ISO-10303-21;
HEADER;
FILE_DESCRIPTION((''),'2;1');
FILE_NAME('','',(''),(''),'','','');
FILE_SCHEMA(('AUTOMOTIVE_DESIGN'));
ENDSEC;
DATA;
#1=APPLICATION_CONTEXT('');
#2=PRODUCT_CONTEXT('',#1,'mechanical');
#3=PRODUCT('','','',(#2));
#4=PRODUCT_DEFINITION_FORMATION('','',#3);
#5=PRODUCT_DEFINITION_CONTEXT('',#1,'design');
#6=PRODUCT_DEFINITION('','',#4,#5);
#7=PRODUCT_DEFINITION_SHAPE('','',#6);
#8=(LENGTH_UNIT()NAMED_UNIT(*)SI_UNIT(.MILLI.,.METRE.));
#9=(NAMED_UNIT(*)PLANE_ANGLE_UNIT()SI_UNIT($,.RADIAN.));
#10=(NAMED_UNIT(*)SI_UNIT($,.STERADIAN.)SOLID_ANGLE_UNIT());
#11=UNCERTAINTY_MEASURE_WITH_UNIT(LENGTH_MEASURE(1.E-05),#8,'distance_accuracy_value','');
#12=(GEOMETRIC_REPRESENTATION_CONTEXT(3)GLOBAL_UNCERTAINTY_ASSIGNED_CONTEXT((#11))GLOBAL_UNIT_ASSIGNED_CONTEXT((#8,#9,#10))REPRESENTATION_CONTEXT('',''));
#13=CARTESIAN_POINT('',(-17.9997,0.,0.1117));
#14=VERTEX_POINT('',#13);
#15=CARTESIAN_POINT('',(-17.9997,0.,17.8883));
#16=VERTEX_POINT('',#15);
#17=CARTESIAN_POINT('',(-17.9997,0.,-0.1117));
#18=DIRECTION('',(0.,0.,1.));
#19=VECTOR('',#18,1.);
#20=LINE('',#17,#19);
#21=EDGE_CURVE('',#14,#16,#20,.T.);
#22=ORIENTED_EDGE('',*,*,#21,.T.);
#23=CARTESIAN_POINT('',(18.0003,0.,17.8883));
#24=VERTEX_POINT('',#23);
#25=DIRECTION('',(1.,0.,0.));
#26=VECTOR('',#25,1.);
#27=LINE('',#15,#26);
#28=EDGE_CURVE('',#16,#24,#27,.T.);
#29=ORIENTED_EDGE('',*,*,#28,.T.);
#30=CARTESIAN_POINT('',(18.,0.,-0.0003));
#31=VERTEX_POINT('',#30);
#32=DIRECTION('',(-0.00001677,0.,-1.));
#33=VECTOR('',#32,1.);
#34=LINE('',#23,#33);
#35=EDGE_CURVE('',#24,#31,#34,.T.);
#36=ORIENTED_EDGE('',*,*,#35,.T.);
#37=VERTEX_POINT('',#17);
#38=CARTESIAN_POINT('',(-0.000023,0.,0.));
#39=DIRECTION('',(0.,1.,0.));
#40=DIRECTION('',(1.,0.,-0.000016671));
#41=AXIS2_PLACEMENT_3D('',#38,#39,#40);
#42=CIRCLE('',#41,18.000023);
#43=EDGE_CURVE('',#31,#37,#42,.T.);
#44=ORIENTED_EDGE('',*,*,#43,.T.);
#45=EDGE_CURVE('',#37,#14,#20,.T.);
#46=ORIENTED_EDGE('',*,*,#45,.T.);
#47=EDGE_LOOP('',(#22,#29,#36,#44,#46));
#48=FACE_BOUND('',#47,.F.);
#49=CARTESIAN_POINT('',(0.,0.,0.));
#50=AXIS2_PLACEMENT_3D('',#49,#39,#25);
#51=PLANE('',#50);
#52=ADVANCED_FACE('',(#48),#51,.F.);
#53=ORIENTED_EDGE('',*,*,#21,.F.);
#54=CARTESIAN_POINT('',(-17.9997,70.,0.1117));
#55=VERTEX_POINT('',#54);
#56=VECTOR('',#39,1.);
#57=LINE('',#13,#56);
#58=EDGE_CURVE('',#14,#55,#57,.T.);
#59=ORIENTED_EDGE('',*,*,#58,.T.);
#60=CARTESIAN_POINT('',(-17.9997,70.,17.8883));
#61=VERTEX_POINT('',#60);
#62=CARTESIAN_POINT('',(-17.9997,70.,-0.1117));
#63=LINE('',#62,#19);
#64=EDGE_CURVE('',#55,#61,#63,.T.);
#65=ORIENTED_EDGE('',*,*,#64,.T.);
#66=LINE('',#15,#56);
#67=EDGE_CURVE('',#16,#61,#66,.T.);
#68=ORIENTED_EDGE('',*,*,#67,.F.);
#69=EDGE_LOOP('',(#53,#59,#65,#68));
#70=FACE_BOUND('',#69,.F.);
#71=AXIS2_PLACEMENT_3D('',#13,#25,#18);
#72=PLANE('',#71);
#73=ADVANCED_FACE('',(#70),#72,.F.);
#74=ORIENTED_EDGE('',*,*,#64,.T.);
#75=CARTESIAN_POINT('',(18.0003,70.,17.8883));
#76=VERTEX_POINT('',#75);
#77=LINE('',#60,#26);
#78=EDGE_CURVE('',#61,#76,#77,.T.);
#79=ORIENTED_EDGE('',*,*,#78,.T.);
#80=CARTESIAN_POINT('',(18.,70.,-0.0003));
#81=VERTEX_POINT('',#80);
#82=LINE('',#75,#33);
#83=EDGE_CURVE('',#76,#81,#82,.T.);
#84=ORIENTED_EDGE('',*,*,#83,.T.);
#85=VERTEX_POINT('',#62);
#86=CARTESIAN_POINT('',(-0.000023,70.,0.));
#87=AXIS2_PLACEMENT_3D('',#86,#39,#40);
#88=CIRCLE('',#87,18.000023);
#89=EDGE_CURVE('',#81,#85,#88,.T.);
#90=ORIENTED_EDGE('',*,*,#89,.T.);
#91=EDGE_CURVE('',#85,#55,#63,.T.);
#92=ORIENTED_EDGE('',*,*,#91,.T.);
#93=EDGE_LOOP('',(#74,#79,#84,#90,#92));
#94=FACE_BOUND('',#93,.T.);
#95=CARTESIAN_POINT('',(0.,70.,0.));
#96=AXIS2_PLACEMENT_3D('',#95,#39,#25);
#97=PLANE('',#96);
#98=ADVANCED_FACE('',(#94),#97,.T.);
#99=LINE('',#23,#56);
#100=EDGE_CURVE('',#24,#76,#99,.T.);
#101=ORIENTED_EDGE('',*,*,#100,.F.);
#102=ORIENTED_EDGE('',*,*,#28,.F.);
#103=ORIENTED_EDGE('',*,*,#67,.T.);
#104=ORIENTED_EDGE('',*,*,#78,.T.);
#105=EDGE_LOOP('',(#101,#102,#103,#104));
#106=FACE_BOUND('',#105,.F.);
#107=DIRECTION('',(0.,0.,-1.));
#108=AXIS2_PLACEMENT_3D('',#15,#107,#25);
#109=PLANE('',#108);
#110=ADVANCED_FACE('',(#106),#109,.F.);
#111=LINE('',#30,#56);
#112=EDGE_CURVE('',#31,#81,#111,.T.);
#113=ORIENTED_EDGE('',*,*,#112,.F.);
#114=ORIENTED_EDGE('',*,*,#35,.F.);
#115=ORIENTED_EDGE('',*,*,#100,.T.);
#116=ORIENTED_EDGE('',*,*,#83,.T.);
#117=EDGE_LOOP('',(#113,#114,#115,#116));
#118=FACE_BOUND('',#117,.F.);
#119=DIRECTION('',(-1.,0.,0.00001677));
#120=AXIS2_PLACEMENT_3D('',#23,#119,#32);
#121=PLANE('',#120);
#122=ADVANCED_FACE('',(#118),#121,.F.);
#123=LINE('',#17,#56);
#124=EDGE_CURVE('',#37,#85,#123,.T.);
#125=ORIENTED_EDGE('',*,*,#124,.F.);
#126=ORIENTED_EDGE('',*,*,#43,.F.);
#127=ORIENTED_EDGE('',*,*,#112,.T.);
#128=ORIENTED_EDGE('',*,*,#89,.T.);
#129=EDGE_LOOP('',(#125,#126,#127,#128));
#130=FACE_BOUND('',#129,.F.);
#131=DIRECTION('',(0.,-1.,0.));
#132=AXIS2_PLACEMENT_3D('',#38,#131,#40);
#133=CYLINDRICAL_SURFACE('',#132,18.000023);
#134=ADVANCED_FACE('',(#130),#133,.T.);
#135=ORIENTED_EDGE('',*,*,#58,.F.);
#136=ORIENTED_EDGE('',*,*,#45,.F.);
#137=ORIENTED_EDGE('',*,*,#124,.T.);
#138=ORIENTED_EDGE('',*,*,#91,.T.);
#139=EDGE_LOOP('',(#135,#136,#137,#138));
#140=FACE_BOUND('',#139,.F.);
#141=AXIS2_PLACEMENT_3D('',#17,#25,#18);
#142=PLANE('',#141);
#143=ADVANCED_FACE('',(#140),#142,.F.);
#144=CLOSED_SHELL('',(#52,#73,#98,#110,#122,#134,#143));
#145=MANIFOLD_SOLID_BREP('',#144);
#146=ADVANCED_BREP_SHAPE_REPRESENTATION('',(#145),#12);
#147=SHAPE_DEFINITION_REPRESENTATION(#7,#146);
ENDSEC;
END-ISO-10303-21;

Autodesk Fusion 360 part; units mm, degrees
sketch "Sketch1" plane through (0, 0, 0) normal (0, 0, 1) x (1, 0, 0)
sketch "Sketch2" plane through (0, 0, 0) normal (0, 1, 0) x (1, 0, 0)
  line L0 (-17.9997, 0.1117) -> (-17.9997, -17.8883)
  line L1 (-17.9997, -17.8883) -> (18.0003, -17.8883)
  line L2 (18.0003, -17.8883) -> (18, 0.0003)
  arc A0 (18, 0.0003) -> (-17.9997, -0.1117) centre (0, 0) ccw
  dimension "d2" = 18
  dimension "d3" = 36
extrude "Extrude1" add sketch "Sketch2" along normal blind 70
